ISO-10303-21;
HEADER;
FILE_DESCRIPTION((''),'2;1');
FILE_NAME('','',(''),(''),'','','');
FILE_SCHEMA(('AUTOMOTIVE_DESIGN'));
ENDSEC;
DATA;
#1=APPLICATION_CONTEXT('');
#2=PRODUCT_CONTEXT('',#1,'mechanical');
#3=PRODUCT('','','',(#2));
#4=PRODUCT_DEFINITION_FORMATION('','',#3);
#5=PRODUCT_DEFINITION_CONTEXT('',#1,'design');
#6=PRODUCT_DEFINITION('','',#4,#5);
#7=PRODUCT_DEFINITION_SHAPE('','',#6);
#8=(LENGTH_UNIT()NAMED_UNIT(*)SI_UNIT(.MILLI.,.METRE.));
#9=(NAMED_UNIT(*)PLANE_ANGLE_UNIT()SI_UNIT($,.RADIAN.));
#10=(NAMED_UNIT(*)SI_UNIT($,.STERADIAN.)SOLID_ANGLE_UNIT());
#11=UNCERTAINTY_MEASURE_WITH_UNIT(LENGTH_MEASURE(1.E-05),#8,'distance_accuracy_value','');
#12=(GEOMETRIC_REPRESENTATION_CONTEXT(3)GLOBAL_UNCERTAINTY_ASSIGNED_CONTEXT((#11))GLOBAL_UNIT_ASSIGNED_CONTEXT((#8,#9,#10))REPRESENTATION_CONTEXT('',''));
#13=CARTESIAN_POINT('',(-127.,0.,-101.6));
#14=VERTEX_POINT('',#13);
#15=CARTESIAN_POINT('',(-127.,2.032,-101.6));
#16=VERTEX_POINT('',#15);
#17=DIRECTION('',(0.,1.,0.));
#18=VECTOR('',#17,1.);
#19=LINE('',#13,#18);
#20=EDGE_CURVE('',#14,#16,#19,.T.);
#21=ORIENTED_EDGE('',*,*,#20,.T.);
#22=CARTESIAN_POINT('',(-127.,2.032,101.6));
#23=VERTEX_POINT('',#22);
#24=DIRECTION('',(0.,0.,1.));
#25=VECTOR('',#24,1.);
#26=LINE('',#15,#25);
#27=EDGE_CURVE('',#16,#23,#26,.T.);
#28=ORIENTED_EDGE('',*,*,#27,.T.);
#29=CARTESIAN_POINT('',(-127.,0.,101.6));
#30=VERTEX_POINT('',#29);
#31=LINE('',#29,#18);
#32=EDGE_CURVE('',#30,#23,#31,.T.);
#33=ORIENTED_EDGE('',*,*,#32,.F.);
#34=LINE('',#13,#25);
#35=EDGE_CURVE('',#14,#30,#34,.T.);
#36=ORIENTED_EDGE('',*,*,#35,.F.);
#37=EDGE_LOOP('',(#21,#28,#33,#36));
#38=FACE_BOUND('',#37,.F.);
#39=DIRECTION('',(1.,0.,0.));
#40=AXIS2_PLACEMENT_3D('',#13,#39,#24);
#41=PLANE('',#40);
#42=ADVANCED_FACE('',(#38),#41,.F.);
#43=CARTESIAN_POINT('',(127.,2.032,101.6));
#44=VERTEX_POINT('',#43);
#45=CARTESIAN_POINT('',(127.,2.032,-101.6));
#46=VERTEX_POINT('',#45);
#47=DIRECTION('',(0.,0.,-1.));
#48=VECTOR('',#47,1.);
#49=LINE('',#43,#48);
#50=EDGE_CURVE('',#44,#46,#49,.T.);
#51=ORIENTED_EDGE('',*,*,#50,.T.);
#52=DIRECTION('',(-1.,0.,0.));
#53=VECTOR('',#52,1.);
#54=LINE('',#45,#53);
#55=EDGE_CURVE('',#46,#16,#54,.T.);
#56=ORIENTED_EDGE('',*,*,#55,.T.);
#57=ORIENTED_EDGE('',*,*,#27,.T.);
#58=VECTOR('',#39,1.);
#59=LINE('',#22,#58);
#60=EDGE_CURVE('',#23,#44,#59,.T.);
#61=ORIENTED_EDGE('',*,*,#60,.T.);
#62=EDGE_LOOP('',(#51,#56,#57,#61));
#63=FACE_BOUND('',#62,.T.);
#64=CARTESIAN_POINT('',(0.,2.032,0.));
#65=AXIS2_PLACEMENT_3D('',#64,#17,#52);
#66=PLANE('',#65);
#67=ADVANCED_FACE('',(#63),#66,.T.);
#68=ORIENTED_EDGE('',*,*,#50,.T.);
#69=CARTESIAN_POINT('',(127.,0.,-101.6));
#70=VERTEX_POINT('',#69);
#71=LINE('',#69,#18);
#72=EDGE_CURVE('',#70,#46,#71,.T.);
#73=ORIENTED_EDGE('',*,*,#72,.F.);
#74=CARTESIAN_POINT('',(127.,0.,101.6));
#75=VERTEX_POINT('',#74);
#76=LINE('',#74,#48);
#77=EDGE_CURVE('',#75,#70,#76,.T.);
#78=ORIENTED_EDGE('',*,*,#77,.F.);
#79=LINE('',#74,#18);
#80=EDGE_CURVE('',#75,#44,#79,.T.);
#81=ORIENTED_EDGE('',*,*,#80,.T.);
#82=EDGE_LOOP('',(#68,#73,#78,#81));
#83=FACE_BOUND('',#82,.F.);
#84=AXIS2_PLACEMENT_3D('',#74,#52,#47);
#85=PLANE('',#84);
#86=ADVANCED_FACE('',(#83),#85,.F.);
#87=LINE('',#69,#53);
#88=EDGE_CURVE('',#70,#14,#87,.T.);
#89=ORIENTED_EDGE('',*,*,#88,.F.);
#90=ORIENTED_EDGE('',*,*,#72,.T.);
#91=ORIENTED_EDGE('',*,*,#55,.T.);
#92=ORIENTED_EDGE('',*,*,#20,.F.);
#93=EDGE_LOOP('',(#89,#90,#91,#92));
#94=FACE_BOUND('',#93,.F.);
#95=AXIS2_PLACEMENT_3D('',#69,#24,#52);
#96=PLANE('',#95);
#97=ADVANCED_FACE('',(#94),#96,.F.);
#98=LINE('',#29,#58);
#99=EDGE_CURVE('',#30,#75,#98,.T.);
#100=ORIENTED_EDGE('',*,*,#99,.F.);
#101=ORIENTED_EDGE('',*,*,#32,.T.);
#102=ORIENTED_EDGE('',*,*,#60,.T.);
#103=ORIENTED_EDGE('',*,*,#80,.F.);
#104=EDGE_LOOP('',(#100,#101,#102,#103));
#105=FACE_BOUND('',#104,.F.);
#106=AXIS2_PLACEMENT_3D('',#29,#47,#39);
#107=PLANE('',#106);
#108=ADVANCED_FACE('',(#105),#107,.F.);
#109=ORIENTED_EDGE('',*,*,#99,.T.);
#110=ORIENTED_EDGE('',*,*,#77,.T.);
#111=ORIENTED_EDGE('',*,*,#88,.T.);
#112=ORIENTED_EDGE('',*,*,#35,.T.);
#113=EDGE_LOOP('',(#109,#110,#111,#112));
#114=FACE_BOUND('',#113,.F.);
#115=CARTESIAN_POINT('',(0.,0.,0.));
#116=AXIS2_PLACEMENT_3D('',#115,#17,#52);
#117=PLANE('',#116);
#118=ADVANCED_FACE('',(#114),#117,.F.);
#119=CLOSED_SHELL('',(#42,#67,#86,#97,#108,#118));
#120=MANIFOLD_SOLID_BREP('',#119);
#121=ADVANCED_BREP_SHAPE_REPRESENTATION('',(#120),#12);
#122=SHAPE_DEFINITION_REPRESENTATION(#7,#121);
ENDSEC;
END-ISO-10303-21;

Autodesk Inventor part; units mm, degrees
ref_plane "YZ Plane" through (0, 0, 0) normal (1, 0, 0) x (0, 1, 0)
ref_plane "XZ Plane" through (0, 0, 0) normal (0, 1, 0) x (-1, 0, 0)
ref_plane "XY Plane" through (0, 0, 0) normal (0, 0, 1) x (1, 0, 0)
sketch "Sketch1" plane through (0, 0, 0) normal (0, 1, 0) x (-1, 0, 0)
  line L0 (-127, 101.6) -> (-127, -101.6)
  line L1 (-127, -101.6) -> (127, -101.6)
  line L2 (127, -101.6) -> (127, 101.6)
  line L3 (127, 101.6) -> (-127, 101.6)
  line L4 (-127, 101.6) -> (127, -101.6) construction
  line L5 (-127, -101.6) -> (127, 101.6) construction
  line L6 (-127, 101.6) -> (76.2, 101.6) construction
  point P0 (0, 0)
  dimension "d0" = 203.2
  dimension "d1" = 90
  dimension "d2" = 254
extrude "Extrusion1" add sketch "Sketch1" along normal blind 2.032
properties part number "optix 8x10 window" material "Polycarbonate, Clear"
